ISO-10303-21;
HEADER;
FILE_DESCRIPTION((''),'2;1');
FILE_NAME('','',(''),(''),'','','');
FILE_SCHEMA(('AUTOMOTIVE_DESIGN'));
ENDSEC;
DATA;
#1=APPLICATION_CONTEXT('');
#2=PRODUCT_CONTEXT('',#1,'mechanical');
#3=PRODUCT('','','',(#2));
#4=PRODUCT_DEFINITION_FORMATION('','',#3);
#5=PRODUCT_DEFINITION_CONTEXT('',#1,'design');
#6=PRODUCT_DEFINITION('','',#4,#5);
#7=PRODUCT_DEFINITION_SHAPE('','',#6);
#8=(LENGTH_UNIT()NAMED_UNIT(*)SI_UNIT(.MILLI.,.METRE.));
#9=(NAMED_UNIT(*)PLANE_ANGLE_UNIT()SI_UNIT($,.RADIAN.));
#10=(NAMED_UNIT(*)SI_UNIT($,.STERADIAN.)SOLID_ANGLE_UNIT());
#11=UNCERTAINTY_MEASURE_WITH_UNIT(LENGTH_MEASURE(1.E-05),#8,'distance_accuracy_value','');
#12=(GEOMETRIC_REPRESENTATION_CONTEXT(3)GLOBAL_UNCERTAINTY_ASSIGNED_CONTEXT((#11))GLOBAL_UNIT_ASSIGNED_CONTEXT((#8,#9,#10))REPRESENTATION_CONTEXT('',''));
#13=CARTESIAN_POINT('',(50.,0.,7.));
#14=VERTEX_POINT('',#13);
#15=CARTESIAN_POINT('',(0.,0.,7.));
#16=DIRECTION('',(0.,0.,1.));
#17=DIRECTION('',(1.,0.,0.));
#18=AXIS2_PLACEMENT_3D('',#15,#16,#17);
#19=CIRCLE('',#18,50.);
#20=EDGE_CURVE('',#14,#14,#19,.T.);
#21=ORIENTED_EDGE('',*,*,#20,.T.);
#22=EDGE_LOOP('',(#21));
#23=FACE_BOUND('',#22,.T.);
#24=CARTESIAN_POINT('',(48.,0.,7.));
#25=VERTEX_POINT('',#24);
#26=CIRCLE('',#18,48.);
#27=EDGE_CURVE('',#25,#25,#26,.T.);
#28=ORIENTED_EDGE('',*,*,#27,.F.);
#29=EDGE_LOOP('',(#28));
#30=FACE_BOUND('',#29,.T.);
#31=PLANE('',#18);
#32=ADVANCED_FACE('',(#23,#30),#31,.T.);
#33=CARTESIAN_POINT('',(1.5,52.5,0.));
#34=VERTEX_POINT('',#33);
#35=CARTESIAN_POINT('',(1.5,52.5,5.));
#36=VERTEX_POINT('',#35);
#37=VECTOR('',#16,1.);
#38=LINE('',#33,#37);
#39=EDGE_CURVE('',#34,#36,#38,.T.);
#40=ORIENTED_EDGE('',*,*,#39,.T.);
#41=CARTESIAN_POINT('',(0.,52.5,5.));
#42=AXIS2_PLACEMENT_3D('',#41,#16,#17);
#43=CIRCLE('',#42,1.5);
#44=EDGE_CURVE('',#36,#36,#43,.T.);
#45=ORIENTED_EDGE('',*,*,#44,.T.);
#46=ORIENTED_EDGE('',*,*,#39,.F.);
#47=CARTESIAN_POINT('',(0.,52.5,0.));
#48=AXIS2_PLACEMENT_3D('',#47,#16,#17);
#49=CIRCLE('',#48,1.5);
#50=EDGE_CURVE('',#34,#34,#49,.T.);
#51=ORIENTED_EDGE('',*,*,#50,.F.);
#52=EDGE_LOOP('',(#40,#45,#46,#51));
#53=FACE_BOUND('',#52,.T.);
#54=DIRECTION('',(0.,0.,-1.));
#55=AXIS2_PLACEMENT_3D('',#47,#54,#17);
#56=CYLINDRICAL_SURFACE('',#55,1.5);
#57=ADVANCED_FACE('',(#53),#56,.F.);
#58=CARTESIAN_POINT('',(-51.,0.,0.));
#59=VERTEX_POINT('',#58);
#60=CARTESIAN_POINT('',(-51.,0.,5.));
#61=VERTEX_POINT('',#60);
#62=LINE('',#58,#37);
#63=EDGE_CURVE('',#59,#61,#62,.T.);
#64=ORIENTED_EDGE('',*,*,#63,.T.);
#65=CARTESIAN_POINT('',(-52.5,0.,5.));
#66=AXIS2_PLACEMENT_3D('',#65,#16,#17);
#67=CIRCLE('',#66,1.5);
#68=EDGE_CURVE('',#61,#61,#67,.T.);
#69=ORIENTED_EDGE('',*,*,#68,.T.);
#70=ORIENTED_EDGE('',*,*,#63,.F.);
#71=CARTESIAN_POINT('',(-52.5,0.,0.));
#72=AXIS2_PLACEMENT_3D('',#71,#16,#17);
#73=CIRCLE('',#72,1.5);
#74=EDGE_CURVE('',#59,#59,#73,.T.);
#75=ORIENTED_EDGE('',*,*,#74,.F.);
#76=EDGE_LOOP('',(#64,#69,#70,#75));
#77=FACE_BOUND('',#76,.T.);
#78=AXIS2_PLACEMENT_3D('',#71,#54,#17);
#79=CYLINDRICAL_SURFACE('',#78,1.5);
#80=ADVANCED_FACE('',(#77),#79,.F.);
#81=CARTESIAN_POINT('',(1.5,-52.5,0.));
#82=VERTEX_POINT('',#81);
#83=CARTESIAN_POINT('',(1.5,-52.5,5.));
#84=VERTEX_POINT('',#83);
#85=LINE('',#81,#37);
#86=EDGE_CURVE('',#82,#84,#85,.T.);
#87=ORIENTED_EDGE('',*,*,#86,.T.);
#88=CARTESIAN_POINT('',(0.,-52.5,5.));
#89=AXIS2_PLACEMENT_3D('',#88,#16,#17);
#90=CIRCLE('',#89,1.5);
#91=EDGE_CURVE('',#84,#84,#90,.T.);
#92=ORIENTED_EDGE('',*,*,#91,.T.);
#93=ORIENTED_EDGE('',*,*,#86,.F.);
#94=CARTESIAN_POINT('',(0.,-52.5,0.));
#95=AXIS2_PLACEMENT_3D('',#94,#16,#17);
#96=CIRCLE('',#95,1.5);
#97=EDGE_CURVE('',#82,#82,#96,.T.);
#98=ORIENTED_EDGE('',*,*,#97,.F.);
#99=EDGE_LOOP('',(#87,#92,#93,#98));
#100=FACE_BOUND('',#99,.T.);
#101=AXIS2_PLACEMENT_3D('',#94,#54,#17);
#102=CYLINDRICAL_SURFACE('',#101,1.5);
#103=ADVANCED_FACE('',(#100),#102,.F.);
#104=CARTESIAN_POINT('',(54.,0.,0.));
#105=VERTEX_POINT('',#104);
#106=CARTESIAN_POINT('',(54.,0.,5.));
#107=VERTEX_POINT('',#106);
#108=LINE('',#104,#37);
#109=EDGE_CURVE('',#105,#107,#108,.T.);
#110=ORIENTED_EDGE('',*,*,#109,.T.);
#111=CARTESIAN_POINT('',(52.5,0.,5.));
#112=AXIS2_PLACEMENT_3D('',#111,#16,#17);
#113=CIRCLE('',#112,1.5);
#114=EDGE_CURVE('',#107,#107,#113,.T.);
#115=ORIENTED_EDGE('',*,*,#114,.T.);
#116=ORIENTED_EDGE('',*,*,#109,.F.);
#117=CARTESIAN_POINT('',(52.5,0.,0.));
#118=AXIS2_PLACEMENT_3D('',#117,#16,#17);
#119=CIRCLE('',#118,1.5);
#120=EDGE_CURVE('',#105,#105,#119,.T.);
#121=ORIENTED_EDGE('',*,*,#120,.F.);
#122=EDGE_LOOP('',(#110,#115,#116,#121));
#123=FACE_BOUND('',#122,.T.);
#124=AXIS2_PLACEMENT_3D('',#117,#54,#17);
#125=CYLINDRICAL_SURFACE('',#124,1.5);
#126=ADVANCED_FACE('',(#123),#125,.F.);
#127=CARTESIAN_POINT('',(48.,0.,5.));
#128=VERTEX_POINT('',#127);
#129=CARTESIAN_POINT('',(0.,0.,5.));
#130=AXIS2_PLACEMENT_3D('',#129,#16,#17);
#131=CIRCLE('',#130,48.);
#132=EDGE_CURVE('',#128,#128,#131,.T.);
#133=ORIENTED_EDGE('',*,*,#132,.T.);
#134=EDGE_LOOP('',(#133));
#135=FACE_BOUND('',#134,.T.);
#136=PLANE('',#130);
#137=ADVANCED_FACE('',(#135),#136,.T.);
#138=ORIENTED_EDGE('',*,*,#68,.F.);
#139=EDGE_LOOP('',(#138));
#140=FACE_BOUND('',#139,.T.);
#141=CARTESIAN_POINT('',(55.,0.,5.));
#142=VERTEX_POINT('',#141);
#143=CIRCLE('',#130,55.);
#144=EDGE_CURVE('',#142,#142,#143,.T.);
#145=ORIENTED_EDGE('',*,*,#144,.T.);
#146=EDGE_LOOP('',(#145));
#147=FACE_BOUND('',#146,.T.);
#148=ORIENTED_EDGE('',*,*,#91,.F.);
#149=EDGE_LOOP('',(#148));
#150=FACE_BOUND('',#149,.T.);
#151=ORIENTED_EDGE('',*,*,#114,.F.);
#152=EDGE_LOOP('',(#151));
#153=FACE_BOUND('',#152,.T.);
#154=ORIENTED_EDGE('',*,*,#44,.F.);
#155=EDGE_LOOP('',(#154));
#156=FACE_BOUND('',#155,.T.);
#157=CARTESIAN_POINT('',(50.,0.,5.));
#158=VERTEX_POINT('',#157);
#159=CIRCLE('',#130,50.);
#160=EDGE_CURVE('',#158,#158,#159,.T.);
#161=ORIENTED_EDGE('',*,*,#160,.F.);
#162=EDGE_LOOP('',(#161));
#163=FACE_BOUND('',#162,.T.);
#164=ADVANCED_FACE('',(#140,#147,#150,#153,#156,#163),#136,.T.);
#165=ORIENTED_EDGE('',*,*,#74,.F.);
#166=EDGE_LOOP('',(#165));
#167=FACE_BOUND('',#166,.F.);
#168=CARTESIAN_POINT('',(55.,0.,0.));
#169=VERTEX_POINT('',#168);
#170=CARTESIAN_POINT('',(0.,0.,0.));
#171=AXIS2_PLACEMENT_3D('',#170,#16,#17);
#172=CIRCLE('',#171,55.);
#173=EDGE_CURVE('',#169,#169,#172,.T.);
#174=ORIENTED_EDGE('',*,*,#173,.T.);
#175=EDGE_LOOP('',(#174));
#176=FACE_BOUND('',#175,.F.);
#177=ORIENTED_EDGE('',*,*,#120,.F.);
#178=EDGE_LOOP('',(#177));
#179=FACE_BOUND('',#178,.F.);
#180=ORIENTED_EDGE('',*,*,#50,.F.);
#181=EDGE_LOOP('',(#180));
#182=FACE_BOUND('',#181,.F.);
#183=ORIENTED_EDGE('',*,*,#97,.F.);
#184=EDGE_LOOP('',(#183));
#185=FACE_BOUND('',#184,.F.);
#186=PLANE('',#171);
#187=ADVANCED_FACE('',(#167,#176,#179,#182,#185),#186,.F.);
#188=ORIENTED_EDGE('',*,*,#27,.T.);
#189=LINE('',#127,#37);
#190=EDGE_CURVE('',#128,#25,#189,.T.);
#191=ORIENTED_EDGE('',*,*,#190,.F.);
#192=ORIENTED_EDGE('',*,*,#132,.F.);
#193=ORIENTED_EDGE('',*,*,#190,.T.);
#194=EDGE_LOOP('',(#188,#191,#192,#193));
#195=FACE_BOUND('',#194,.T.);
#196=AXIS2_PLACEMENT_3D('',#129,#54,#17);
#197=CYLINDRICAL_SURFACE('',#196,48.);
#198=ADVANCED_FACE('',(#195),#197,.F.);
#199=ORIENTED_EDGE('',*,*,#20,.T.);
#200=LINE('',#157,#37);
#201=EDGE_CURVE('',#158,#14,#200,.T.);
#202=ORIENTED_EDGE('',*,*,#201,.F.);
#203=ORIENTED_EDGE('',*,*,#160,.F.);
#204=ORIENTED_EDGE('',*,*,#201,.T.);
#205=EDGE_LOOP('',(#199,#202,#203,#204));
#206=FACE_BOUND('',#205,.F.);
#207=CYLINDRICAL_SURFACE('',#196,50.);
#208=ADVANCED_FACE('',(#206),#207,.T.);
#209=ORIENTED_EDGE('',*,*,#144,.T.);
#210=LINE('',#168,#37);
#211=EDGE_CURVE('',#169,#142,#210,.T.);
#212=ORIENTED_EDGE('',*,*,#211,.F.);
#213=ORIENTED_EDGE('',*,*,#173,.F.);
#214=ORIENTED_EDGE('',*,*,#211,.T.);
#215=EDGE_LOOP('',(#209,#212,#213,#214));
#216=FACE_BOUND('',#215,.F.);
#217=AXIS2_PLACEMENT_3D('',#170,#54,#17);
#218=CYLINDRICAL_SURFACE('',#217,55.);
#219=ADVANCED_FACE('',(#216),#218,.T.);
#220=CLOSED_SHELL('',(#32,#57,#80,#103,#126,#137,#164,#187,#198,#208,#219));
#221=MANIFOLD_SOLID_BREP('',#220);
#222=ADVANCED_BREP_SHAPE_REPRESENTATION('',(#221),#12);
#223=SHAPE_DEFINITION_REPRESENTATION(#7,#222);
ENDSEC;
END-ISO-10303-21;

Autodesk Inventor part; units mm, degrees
ref_plane "YZ Plane" through (0, 0, 0) normal (1, 0, 0) x (0, 1, 0)
ref_plane "XZ Plane" through (0, 0, 0) normal (0, 1, 0) x (-1, 0, 0)
ref_plane "XY Plane" through (0, 0, 0) normal (0, 0, 1) x (1, 0, 0)
sketch "Sketch1" plane through (0, 0, 0) normal (0, 0, 1) x (1, 0, 0)
  circle A0 centre (0, 0) radius 55
  circle A1 centre (0, 0) radius 50
  circle A2 centre (0, 52.5) radius 1.5
  circle A3 centre (-52.5, 0) radius 1.5
  circle A4 centre (0, -52.5) radius 1.5
  circle A5 centre (52.5, 0) radius 1.5
  dimension "d0" = 110
  dimension "d1" = 100
  dimension "d2" = 3
  dimension "d3" = 0
  dimension "d5" = 52.5
  dimension "d8" = 360
extrude "Extrusion1" add sketch "Sketch1" along normal blind 5 contours A0 | A1
sketch "Sketch2" plane through (0, 0, 5) normal (0, 0, 1) x (1, 0, 0)
  circle A0 centre (0, 0) radius 50
  circle A1 centre (0, 0) radius 55 projected
  circle A2 centre (0, 0) radius 48
  dimension "d12" = 5
  dimension "d13" = 2
extrude "Extrusion2" add sketch "Sketch2" along normal blind 2 contours A0
equation "\"d0\" = Diameter"
equation "\"d5\" = 0.25 * d0 + 0.25 * d1"
equation "\"Diameter\" = 110"
properties part number "Cover"
